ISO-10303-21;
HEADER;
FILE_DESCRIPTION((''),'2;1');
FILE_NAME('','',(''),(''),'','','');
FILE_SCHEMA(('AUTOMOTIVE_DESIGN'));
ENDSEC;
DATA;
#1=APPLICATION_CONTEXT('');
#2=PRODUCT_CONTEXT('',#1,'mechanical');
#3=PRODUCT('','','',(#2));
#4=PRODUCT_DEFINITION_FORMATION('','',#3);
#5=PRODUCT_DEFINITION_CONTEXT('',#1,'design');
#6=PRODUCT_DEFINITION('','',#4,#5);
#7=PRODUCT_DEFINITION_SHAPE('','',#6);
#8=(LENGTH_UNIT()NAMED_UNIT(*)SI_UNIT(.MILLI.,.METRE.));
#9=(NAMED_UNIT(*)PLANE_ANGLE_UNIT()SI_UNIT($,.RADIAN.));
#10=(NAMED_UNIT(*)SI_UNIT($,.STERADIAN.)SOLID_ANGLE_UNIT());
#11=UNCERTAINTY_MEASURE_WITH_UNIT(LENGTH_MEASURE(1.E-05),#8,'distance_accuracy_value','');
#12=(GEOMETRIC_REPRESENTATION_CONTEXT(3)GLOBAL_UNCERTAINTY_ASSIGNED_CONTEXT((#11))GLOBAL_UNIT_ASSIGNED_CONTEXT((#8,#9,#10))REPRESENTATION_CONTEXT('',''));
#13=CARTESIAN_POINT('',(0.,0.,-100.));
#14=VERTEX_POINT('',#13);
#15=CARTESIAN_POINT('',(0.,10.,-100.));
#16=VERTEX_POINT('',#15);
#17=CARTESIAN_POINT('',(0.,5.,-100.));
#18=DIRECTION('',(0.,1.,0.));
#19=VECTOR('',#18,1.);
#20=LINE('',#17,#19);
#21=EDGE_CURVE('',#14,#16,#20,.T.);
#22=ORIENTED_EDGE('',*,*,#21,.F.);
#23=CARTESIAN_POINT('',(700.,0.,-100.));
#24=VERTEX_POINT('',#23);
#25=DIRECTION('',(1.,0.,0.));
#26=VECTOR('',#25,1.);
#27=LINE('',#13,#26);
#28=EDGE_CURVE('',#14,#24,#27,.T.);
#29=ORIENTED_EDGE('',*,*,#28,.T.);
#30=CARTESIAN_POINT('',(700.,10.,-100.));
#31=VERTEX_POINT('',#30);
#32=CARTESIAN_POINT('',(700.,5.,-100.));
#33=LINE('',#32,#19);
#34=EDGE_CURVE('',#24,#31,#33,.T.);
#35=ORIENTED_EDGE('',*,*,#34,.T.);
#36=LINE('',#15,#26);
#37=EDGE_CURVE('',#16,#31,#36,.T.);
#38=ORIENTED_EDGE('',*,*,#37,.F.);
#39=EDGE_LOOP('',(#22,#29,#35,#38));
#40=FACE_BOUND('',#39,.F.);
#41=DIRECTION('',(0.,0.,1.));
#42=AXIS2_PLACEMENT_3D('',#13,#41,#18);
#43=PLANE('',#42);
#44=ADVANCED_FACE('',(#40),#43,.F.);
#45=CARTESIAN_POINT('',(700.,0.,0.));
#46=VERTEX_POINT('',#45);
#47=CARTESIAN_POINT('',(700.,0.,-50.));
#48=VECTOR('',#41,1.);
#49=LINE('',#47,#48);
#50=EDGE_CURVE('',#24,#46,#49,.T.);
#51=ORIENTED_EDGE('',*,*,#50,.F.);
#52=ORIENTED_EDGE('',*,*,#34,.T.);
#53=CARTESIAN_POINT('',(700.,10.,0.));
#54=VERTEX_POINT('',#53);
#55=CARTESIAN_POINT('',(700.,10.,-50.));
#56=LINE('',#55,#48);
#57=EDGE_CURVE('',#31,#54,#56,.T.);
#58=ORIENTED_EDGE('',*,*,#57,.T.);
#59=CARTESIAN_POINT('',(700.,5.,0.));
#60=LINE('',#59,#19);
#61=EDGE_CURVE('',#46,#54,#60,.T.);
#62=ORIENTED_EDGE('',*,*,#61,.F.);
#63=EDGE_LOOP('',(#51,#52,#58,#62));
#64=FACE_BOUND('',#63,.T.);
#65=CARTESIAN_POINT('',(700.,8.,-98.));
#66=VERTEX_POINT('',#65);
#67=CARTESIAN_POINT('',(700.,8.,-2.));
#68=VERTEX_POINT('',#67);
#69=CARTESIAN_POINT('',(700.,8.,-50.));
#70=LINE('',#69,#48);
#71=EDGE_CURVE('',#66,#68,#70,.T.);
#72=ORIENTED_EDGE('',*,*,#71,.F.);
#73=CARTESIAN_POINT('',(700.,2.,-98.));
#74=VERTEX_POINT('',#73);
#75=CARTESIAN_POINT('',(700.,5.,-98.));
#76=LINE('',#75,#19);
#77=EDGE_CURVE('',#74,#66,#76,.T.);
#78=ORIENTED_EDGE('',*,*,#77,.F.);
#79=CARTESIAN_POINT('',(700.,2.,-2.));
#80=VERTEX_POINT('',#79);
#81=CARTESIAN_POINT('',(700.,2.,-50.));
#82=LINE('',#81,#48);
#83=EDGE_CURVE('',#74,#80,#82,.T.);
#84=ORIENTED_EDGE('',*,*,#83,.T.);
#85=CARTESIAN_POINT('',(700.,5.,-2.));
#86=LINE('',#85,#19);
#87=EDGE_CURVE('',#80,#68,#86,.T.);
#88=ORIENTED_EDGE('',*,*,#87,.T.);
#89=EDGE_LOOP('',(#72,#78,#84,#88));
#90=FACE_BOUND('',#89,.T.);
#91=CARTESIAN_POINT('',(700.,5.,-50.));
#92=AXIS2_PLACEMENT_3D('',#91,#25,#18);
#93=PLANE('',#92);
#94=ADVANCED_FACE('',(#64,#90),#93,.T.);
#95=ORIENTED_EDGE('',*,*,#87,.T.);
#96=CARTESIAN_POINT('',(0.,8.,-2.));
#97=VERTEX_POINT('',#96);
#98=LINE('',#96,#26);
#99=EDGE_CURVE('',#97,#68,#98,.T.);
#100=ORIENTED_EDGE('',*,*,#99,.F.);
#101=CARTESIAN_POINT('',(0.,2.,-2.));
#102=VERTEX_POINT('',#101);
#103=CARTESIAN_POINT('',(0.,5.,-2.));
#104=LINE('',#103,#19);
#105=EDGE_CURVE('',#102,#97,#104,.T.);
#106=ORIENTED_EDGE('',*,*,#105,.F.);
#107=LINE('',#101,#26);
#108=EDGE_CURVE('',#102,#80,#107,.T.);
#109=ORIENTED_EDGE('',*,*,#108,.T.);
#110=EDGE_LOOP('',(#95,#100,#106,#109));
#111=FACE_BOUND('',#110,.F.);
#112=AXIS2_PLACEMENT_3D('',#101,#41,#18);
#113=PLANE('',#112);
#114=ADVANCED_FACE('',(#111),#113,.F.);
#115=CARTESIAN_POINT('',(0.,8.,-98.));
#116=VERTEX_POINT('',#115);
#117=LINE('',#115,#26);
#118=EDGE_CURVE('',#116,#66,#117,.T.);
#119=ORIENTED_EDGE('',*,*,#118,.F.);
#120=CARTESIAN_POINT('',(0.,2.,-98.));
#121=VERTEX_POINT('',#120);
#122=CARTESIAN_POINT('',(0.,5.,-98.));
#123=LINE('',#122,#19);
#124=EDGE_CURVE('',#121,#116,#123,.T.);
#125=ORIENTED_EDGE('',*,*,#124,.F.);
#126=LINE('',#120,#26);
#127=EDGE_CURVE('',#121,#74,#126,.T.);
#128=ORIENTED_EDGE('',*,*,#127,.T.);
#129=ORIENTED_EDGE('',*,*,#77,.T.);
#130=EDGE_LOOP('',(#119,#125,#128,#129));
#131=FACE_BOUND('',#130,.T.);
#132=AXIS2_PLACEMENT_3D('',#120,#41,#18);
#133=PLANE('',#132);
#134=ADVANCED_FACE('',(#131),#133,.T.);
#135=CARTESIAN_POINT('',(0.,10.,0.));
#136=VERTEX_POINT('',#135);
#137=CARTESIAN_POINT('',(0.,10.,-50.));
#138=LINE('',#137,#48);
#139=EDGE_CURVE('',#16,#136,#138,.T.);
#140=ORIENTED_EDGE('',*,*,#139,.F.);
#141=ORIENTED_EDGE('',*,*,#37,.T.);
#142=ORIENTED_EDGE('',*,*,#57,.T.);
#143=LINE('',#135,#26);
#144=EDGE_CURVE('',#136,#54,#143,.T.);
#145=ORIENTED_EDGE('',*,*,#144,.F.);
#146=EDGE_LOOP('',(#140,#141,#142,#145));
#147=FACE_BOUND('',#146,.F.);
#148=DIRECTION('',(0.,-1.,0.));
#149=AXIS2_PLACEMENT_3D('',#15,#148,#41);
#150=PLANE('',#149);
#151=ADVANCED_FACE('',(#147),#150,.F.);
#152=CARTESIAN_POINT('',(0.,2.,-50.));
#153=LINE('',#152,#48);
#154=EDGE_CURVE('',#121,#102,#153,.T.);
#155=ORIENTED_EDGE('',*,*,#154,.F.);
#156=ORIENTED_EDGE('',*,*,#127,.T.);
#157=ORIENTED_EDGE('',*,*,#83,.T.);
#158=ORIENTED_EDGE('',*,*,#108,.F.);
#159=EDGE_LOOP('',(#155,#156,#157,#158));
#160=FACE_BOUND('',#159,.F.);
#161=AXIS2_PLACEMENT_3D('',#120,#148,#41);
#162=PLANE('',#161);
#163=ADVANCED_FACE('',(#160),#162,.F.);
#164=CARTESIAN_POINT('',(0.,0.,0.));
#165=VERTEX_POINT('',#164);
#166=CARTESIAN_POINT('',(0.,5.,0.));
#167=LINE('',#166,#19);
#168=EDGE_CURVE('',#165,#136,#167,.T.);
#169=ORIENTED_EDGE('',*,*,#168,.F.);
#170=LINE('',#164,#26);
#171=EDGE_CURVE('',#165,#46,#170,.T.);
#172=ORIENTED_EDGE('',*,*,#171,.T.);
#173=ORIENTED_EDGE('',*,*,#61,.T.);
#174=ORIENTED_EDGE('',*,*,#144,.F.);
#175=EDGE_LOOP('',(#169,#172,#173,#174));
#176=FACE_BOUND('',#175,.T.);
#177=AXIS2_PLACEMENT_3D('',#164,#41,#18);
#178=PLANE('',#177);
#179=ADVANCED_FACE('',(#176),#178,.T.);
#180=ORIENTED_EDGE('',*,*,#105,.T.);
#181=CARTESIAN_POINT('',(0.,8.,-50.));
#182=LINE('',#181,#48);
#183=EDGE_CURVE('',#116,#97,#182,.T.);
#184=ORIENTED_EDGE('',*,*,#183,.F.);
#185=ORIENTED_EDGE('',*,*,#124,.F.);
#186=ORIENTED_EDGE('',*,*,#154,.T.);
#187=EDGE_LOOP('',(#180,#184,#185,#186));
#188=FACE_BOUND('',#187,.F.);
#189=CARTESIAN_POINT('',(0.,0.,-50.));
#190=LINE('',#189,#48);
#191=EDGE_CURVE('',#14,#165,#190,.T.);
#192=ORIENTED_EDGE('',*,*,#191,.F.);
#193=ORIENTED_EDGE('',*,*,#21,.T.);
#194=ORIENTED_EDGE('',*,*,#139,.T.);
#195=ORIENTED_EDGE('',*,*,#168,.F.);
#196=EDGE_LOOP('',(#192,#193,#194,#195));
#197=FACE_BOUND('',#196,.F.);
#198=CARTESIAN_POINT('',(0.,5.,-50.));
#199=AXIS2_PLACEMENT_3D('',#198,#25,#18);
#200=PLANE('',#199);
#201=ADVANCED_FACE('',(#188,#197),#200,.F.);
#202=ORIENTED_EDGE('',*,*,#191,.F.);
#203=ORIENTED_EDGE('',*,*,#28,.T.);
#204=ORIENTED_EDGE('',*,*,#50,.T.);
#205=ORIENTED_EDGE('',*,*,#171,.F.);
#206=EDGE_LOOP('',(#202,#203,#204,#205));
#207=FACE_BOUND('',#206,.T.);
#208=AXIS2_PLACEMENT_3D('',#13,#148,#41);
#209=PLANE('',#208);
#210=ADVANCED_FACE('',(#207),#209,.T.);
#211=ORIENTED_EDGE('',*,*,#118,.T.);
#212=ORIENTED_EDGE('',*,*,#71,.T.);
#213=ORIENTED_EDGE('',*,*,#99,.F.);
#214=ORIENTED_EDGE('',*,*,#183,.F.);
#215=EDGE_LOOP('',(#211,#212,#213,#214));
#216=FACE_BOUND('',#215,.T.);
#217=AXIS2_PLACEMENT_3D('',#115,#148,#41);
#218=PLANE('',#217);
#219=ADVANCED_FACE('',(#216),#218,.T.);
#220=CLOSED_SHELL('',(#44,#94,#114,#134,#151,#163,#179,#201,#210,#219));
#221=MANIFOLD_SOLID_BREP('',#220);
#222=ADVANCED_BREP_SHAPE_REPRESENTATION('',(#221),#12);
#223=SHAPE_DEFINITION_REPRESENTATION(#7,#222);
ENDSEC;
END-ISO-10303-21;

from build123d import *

# Parameters (mm, degrees)
SKETCH_W   = 10
SKETCH_H   = 100
SKETCH_W_2 = 6
SKETCH_H_2 = 96
PAD_DEPTH  = 700


with BuildPart() as part:
    # Sketch → Pad (new body)
    with BuildSketch(Plane.YZ):
        with Locations((5, -50)):
            Rectangle(SKETCH_W, SKETCH_H)
        with Locations((5, -50)):
            Rectangle(SKETCH_W_2, SKETCH_H_2, mode=Mode.SUBTRACT)
    extrude(amount=PAD_DEPTH)


solid = part.part
